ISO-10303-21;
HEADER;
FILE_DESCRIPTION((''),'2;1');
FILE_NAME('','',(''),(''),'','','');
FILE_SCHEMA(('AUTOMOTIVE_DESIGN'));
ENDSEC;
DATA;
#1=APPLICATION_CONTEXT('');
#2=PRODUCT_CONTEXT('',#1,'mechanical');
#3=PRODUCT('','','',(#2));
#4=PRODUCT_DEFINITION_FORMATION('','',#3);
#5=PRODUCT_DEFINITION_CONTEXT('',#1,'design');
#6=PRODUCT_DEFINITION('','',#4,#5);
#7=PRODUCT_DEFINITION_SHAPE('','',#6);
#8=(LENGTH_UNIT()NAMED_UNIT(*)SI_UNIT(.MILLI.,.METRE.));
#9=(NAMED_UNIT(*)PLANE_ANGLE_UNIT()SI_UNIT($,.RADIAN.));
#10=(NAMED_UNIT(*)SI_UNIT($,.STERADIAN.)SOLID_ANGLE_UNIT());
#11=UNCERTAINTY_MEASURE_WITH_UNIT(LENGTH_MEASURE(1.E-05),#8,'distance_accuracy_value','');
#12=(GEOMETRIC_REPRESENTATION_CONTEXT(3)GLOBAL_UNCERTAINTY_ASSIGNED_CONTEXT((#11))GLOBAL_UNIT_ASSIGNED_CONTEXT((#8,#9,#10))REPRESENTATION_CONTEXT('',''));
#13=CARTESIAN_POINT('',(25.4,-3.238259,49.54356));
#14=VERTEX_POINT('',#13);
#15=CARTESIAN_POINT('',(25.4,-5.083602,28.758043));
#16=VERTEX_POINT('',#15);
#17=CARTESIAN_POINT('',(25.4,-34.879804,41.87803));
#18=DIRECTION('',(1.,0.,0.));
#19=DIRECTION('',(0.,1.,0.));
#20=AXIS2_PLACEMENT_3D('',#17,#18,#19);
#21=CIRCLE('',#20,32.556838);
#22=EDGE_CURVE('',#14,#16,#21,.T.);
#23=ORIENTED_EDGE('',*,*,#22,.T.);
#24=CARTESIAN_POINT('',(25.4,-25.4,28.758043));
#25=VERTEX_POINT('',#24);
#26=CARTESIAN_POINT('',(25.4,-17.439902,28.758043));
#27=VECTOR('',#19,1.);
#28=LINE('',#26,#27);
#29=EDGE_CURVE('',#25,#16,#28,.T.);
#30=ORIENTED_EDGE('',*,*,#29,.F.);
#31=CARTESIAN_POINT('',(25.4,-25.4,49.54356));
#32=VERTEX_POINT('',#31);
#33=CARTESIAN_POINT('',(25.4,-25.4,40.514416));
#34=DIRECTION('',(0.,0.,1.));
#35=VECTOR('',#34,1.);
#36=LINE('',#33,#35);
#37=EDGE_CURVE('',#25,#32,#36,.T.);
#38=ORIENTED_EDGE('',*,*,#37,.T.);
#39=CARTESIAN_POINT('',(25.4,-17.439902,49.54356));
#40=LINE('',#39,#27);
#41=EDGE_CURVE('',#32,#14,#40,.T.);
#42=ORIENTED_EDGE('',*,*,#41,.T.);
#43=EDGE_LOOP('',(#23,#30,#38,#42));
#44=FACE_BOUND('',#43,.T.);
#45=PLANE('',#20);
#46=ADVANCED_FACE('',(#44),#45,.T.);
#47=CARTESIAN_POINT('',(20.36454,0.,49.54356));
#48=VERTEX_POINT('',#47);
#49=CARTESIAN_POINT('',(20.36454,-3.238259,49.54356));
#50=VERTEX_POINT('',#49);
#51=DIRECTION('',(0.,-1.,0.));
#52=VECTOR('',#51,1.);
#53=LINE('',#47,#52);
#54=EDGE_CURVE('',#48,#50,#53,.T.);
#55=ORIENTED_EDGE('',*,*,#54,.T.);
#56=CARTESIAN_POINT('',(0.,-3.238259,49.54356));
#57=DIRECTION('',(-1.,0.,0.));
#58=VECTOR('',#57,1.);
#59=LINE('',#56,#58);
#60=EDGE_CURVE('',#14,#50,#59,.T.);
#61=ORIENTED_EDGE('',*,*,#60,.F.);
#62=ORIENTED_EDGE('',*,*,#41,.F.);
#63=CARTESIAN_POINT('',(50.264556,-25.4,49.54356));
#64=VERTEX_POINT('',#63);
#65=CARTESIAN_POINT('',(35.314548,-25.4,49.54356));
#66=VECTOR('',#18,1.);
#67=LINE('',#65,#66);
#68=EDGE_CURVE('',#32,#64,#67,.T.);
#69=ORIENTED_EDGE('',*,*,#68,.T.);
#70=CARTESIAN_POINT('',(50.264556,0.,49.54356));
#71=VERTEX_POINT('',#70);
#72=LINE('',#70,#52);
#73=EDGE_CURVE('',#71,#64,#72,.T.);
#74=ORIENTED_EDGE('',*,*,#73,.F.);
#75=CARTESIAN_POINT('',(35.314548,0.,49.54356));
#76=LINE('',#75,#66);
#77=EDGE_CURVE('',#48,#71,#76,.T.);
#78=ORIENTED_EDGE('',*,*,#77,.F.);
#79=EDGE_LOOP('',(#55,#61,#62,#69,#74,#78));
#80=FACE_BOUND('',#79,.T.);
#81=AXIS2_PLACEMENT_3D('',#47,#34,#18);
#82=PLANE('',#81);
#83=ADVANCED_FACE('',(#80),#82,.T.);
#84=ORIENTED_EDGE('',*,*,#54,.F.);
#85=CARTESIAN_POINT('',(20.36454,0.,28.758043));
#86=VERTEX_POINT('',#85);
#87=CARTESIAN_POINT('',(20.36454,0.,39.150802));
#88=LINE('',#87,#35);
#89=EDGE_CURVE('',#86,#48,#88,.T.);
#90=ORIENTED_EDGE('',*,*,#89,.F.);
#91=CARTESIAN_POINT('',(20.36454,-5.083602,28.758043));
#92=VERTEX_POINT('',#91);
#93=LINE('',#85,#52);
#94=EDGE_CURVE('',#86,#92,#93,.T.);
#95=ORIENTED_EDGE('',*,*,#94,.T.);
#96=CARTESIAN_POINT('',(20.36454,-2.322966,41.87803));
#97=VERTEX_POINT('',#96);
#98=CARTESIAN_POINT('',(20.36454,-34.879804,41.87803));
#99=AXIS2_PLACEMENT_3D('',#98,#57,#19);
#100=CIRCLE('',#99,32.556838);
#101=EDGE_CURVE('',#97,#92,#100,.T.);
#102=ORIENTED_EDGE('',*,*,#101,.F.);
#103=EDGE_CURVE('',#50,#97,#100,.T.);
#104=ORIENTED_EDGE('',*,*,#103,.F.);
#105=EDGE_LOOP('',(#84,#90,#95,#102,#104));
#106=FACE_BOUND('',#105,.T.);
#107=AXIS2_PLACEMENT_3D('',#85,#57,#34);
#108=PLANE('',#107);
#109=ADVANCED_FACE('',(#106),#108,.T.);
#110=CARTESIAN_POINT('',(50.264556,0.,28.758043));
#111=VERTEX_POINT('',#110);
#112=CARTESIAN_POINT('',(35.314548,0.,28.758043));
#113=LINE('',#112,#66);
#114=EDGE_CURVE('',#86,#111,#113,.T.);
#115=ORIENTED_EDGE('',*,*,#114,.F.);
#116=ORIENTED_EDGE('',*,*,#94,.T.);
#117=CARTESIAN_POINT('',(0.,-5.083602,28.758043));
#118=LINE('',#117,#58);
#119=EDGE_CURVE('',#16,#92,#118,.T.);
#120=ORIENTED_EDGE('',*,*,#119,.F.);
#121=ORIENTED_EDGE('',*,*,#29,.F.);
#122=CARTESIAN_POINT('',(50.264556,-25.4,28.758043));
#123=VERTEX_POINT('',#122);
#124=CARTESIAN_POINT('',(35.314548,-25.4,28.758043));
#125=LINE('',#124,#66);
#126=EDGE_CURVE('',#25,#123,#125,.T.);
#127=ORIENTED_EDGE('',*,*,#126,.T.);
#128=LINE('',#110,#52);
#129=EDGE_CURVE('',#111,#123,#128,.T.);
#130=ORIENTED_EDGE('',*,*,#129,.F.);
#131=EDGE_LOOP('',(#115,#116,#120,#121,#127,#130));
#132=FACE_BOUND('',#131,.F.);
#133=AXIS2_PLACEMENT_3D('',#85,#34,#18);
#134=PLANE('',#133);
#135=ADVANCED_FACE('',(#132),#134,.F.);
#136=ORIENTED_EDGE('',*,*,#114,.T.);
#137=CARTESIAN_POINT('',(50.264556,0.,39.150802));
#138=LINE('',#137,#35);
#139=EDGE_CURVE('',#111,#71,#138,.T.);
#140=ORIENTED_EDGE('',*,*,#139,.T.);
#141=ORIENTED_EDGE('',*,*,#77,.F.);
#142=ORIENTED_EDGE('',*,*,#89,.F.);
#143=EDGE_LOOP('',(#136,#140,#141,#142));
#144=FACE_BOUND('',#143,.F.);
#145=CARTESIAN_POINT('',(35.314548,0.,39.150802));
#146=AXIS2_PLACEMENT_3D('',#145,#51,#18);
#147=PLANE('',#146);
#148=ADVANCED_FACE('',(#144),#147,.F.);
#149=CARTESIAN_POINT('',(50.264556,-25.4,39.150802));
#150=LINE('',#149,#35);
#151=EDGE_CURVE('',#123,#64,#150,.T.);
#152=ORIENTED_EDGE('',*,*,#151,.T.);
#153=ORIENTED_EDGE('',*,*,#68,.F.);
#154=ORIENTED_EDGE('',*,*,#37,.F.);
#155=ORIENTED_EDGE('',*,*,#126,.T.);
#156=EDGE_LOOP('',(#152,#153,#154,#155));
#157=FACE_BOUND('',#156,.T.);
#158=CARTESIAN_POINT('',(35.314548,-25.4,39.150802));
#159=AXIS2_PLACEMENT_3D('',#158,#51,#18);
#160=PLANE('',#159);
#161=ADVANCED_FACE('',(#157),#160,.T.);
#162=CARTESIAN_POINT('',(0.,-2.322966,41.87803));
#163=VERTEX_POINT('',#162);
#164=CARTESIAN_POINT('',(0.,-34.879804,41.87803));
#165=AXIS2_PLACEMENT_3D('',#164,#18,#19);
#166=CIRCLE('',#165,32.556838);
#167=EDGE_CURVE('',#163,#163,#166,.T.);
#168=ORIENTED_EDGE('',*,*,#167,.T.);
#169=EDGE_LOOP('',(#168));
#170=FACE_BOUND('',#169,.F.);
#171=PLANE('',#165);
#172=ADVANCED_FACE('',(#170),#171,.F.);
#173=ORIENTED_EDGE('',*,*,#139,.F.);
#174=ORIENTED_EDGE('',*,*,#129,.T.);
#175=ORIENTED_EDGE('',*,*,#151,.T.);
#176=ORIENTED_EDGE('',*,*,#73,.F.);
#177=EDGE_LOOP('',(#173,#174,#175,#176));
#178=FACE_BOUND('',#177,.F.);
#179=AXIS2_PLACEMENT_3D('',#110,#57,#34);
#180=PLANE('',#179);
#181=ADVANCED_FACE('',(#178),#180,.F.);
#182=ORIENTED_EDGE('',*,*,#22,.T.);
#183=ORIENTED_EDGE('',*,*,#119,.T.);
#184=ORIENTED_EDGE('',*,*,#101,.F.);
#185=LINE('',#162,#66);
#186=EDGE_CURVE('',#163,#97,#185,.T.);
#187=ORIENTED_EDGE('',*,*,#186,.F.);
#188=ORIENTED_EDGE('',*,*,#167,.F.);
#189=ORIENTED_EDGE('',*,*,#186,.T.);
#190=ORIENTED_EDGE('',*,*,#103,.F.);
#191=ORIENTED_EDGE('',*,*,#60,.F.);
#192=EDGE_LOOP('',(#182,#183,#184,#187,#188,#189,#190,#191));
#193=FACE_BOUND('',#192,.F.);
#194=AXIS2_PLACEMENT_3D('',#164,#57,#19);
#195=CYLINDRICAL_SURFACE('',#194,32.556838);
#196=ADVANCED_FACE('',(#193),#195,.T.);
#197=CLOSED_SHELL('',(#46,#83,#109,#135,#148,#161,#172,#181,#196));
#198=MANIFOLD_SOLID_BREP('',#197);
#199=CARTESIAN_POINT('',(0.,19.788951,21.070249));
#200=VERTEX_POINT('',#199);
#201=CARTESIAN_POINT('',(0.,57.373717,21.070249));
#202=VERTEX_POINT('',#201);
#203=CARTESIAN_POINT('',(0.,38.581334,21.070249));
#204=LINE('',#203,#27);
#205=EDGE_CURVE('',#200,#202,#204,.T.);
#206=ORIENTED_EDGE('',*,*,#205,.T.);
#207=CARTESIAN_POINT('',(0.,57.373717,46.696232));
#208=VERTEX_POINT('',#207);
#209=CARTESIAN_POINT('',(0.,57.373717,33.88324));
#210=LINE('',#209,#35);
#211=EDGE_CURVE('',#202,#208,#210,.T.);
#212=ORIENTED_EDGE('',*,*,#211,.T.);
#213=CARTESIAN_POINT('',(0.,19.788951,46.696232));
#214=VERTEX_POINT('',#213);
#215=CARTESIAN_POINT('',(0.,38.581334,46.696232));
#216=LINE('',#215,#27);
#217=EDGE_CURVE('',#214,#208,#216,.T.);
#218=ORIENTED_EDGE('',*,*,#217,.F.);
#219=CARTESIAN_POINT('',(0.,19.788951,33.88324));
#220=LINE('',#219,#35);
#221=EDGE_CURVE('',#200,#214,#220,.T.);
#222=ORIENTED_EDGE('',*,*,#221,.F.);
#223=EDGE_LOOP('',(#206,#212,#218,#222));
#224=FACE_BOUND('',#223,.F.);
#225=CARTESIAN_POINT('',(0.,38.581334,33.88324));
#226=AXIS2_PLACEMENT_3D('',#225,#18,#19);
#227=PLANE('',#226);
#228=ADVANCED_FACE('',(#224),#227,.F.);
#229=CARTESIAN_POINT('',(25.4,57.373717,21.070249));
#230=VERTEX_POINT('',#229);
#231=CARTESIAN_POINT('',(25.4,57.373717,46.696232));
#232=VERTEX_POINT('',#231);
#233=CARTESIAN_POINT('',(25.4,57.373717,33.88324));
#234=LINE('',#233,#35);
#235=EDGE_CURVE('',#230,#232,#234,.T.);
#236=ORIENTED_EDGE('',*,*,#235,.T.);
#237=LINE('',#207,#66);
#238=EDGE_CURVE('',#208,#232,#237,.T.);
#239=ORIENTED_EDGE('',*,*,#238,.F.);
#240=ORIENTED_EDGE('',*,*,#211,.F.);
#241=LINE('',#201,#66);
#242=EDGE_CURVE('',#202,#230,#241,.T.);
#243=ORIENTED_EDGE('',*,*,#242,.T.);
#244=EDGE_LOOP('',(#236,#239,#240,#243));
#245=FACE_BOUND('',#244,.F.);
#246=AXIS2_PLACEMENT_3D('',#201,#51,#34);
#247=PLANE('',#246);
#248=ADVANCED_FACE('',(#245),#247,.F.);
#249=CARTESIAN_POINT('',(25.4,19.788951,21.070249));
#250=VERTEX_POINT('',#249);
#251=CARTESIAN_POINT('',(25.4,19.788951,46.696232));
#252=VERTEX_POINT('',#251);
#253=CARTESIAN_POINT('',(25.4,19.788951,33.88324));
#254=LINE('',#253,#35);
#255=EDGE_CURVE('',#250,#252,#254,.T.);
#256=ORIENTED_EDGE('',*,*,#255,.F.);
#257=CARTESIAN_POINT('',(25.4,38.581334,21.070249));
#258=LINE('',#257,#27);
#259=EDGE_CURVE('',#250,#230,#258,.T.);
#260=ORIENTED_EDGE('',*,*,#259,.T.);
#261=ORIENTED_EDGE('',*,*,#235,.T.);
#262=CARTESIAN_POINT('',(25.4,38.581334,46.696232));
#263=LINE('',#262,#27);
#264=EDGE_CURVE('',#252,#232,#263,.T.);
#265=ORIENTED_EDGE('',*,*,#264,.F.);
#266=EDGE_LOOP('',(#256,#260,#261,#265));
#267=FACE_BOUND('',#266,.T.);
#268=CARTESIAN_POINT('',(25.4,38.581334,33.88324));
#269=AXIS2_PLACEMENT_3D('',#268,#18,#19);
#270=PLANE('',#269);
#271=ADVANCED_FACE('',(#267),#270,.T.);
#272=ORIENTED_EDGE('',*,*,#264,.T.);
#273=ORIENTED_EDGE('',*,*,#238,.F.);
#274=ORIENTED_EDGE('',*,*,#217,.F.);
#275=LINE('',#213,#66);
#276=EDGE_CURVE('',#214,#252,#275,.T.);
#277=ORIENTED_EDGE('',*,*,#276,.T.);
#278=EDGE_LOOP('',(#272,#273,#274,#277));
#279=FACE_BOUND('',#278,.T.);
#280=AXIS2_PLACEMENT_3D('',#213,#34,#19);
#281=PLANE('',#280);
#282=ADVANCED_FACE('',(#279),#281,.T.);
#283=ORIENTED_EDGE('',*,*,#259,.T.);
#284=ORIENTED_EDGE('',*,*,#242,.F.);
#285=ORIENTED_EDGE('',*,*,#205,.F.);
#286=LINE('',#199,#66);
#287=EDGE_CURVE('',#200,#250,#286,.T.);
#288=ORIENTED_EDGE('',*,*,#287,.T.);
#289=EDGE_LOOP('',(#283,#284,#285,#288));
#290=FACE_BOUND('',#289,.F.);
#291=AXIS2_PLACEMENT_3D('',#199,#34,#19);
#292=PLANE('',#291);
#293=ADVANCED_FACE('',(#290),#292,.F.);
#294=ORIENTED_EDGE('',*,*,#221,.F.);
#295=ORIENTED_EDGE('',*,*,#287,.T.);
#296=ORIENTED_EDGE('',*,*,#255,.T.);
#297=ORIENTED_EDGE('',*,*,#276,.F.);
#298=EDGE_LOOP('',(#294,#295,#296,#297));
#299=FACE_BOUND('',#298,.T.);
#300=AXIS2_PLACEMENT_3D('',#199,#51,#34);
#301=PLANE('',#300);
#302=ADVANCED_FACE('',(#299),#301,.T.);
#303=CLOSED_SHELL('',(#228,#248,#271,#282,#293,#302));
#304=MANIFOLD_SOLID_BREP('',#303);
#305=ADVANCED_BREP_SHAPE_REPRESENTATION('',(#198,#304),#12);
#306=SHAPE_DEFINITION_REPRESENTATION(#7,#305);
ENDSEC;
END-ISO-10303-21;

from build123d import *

# Parameters (mm, degrees)
F0_W     = 29.900016
F0_H     = 20.785517
F1_DEPTH = 25.4
F2_W     = 37.584766
F2_H     = 25.625983
F3_DEPTH = 25.4
F4_R     = 32.556838
F5_DEPTH = 25.4


with BuildPart() as f1:
    # F0 (on Front) → F1 (new body)
    with BuildSketch(Plane.XZ):
        with Locations((35.314548, 39.150802)):
            Rectangle(F0_W, F0_H)
    extrude(amount=F1_DEPTH)

    # F4 (on Right) → F5 (join)
    with BuildSketch(Plane.YZ):
        with Locations((-34.879804, 41.87803)):
            Circle(F4_R)
    extrude(amount=F5_DEPTH)


with BuildPart() as f3:
    # F2 (on Right) → F3 (new body)
    with BuildSketch(Plane.YZ):
        with Locations((38.581334, 33.88324)):
            Rectangle(F2_W, F2_H)
    extrude(amount=F3_DEPTH)


solid = Compound([f1.part, f3.part])
